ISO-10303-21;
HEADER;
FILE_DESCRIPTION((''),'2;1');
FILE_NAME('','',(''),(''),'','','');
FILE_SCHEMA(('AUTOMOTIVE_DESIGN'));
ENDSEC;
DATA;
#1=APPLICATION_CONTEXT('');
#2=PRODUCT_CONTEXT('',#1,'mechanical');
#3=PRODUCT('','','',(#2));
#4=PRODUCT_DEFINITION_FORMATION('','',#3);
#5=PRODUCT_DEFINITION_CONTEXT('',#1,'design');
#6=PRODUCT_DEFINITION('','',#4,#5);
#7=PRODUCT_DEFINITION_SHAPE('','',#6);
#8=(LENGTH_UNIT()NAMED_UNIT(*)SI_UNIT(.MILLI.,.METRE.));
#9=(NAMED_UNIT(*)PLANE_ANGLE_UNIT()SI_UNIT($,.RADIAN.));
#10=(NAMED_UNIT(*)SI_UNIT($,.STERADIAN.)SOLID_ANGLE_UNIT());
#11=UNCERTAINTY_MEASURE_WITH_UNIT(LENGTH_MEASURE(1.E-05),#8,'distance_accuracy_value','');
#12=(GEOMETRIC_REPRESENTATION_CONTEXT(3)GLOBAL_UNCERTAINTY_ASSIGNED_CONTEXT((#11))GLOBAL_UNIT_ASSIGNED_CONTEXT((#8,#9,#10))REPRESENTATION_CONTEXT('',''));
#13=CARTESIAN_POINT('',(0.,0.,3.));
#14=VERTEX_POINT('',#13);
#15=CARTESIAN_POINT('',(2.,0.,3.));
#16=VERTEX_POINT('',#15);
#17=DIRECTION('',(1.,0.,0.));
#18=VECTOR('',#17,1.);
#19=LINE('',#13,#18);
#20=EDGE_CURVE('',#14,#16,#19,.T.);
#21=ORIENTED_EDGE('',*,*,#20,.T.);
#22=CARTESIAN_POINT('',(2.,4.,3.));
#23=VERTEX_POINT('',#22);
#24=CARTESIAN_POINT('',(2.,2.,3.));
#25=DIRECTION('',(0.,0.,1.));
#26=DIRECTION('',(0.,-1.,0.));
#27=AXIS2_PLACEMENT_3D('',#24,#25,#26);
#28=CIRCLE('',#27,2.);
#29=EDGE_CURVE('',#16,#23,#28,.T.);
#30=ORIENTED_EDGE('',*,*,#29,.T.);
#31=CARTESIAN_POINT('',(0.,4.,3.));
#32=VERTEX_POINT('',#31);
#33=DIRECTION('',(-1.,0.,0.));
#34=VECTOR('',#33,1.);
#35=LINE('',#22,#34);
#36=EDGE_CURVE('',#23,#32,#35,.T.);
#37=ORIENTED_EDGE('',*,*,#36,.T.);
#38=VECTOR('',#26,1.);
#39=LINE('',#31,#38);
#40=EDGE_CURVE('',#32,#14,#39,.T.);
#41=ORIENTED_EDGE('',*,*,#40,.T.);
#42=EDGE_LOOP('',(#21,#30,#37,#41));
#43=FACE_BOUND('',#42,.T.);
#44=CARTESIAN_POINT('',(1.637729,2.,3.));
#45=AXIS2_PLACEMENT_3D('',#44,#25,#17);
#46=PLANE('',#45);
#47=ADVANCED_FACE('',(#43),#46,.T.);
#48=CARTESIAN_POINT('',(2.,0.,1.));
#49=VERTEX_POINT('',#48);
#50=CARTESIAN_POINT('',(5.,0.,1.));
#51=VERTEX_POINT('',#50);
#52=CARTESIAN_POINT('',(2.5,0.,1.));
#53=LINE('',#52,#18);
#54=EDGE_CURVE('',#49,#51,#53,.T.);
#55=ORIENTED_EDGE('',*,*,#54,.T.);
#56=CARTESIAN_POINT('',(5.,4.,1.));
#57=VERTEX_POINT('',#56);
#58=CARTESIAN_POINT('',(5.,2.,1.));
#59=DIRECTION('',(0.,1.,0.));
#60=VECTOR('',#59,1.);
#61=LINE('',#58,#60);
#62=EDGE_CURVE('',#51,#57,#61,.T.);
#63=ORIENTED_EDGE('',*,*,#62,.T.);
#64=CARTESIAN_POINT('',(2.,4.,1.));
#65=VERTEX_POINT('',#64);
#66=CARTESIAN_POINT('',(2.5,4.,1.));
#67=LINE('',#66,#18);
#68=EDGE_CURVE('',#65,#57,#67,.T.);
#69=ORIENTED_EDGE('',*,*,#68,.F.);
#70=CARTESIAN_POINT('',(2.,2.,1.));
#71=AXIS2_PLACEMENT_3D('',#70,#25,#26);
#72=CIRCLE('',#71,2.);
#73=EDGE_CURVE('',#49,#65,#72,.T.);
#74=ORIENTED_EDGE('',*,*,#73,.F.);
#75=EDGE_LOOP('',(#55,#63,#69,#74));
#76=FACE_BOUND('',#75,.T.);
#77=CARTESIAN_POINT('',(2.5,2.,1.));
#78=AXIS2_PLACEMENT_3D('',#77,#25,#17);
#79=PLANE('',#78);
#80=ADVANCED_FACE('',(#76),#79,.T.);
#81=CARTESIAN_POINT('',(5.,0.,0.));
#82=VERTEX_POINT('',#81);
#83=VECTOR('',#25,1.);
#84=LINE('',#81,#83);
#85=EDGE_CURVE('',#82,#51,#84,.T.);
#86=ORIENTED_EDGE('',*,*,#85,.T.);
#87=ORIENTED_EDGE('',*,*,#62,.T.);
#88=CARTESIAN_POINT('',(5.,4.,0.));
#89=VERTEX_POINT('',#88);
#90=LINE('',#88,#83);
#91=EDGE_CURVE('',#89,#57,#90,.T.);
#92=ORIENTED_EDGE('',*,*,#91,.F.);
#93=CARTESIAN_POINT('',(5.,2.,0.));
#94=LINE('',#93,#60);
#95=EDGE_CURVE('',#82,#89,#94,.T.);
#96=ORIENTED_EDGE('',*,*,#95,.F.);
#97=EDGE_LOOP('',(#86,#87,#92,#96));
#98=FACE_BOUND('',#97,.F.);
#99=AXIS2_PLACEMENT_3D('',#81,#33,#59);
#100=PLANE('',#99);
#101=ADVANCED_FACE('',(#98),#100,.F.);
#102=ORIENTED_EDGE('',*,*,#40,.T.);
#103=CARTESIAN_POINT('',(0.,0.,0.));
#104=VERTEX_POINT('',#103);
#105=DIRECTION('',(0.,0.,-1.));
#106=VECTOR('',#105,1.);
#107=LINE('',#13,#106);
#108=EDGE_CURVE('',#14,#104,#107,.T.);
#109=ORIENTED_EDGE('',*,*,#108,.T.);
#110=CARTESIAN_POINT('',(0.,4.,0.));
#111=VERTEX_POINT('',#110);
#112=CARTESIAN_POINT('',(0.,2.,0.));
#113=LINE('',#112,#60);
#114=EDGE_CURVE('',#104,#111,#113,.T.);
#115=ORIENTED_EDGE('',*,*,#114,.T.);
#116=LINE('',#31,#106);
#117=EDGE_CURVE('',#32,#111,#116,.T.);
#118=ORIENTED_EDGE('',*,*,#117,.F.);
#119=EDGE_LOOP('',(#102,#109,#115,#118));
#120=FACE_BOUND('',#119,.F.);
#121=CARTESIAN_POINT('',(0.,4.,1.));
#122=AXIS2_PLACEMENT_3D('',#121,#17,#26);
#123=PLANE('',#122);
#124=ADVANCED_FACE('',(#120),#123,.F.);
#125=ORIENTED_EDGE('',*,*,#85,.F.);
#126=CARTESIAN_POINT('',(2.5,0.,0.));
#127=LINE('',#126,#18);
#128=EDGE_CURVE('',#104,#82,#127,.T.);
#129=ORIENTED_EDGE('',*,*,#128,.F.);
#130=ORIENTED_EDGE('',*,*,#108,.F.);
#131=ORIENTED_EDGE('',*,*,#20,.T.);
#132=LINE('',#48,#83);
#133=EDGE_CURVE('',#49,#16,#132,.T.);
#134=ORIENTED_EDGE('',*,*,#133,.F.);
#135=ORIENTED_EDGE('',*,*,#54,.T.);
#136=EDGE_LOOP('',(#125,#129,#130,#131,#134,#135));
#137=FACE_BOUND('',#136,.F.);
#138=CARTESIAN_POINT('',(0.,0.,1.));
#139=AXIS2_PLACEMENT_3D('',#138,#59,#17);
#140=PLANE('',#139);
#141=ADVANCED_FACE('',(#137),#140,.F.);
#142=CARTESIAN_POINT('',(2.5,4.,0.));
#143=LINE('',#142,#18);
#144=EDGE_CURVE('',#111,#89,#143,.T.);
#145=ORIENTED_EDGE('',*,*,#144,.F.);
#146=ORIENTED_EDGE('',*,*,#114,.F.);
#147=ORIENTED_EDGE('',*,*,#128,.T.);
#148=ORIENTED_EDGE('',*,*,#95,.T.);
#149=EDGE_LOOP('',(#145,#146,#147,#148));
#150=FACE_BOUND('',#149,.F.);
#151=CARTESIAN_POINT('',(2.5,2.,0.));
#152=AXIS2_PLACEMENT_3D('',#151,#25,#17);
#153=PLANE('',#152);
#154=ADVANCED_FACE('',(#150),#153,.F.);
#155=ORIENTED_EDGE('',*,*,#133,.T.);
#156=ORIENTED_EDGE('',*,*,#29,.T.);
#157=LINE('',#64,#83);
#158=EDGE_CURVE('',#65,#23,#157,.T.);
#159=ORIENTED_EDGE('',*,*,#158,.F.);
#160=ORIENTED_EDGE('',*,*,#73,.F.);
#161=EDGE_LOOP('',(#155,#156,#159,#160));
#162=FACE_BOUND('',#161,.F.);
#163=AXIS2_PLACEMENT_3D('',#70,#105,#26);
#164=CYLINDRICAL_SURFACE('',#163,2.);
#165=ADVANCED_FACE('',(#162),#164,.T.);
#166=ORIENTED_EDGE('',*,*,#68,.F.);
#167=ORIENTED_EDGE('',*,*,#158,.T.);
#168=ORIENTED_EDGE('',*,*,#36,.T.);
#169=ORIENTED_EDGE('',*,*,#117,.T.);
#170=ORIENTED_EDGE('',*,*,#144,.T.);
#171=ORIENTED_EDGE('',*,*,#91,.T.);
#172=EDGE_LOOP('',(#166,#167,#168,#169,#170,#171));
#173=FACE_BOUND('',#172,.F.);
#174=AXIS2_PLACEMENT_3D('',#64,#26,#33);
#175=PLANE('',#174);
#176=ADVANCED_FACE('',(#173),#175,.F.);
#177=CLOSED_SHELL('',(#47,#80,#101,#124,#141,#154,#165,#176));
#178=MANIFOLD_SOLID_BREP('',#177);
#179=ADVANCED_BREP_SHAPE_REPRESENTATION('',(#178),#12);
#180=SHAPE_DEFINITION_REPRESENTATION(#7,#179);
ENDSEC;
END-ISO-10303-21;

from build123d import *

# Parameters (mm, degrees)
F0_W     = 5
F0_H     = 4
F1_DEPTH = 1
F3_DEPTH = 2


with BuildPart() as f1:
    # F0 (on Top) → F1 (new body)
    with BuildSketch(Plane.XY):
        with Locations((2.5, 2)):
            Rectangle(F0_W, F0_H)
    extrude(amount=F1_DEPTH)

    # F2 (on face) → F3 (join)
    with BuildSketch(Plane.XY.offset(1)):
        with BuildLine():
            Line((0, 0), (2, 0))
            ThreePointArc((2, 0), (4, 2), (2, 4))
            Line((2, 4), (0, 4))
            Line((0, 4), (0, 0))
        make_face()
    extrude(amount=F3_DEPTH)


solid = f1.part
